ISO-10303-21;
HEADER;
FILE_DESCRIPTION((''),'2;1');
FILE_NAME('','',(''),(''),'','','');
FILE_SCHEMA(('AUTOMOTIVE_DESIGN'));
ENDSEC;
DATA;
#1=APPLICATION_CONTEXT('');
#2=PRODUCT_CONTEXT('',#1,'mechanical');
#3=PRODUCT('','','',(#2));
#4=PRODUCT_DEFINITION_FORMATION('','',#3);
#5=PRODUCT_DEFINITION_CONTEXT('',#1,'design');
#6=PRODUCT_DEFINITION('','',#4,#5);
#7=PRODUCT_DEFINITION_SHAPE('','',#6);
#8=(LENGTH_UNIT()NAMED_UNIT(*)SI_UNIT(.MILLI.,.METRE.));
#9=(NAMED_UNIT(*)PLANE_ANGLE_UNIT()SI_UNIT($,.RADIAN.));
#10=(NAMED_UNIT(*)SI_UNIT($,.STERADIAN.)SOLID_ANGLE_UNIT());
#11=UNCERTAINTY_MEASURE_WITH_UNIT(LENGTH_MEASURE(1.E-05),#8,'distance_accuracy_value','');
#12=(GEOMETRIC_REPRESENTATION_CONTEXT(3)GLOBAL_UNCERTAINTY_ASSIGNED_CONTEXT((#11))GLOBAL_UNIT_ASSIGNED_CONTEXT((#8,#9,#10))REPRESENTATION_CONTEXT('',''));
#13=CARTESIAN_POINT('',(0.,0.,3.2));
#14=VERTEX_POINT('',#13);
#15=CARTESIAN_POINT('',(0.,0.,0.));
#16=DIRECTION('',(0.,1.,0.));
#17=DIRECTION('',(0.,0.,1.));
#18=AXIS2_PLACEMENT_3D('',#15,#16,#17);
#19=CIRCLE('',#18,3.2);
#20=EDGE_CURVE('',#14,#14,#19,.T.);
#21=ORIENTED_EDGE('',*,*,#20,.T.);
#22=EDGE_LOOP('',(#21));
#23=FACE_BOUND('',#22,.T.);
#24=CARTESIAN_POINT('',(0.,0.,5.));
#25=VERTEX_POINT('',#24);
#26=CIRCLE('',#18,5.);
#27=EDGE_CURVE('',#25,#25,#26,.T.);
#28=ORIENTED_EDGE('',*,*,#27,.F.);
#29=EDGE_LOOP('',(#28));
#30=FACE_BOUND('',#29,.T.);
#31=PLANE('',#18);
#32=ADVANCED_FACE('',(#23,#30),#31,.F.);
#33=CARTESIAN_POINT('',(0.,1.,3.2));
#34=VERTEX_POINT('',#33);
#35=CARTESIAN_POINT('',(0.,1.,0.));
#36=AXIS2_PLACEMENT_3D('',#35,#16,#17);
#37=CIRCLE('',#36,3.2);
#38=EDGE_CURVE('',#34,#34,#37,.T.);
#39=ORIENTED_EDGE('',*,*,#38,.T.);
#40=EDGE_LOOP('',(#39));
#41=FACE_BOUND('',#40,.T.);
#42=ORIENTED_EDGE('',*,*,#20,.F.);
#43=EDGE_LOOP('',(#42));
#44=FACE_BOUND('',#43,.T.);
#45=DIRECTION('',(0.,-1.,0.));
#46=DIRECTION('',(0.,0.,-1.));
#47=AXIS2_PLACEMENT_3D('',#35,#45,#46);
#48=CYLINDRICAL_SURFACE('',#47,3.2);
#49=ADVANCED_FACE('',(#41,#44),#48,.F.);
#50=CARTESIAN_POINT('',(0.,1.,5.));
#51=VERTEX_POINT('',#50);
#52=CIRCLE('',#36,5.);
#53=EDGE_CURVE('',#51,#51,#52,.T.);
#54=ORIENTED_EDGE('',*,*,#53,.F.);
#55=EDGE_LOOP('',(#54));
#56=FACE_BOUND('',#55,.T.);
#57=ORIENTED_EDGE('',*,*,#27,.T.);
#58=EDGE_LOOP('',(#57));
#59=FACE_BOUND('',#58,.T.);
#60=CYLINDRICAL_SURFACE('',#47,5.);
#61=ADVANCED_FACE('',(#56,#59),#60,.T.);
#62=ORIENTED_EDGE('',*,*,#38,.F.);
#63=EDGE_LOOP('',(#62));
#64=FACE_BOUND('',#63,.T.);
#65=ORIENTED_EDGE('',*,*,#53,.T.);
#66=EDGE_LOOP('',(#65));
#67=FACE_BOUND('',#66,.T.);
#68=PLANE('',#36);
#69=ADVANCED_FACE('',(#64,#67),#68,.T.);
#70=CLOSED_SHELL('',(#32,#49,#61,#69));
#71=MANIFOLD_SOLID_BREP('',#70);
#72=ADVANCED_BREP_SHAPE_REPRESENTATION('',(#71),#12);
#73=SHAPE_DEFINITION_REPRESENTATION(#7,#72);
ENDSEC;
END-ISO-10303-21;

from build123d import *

# Parameters (mm, degrees)
SKETCH1_R           = 5
SKETCH1_R_2         = 3.2
BOSS_EXTRUDE1_DEPTH = 1


with BuildPart() as part:
    # Sketch1 → Boss-Extrude1 (new body)
    with BuildSketch(Plane(origin=(0, 0, 0), x_dir=(1, 0, 0), z_dir=(0, 1, 0))):
        Circle(SKETCH1_R)
        Circle(SKETCH1_R_2, mode=Mode.SUBTRACT)
    extrude(amount=BOSS_EXTRUDE1_DEPTH)


solid = part.part
